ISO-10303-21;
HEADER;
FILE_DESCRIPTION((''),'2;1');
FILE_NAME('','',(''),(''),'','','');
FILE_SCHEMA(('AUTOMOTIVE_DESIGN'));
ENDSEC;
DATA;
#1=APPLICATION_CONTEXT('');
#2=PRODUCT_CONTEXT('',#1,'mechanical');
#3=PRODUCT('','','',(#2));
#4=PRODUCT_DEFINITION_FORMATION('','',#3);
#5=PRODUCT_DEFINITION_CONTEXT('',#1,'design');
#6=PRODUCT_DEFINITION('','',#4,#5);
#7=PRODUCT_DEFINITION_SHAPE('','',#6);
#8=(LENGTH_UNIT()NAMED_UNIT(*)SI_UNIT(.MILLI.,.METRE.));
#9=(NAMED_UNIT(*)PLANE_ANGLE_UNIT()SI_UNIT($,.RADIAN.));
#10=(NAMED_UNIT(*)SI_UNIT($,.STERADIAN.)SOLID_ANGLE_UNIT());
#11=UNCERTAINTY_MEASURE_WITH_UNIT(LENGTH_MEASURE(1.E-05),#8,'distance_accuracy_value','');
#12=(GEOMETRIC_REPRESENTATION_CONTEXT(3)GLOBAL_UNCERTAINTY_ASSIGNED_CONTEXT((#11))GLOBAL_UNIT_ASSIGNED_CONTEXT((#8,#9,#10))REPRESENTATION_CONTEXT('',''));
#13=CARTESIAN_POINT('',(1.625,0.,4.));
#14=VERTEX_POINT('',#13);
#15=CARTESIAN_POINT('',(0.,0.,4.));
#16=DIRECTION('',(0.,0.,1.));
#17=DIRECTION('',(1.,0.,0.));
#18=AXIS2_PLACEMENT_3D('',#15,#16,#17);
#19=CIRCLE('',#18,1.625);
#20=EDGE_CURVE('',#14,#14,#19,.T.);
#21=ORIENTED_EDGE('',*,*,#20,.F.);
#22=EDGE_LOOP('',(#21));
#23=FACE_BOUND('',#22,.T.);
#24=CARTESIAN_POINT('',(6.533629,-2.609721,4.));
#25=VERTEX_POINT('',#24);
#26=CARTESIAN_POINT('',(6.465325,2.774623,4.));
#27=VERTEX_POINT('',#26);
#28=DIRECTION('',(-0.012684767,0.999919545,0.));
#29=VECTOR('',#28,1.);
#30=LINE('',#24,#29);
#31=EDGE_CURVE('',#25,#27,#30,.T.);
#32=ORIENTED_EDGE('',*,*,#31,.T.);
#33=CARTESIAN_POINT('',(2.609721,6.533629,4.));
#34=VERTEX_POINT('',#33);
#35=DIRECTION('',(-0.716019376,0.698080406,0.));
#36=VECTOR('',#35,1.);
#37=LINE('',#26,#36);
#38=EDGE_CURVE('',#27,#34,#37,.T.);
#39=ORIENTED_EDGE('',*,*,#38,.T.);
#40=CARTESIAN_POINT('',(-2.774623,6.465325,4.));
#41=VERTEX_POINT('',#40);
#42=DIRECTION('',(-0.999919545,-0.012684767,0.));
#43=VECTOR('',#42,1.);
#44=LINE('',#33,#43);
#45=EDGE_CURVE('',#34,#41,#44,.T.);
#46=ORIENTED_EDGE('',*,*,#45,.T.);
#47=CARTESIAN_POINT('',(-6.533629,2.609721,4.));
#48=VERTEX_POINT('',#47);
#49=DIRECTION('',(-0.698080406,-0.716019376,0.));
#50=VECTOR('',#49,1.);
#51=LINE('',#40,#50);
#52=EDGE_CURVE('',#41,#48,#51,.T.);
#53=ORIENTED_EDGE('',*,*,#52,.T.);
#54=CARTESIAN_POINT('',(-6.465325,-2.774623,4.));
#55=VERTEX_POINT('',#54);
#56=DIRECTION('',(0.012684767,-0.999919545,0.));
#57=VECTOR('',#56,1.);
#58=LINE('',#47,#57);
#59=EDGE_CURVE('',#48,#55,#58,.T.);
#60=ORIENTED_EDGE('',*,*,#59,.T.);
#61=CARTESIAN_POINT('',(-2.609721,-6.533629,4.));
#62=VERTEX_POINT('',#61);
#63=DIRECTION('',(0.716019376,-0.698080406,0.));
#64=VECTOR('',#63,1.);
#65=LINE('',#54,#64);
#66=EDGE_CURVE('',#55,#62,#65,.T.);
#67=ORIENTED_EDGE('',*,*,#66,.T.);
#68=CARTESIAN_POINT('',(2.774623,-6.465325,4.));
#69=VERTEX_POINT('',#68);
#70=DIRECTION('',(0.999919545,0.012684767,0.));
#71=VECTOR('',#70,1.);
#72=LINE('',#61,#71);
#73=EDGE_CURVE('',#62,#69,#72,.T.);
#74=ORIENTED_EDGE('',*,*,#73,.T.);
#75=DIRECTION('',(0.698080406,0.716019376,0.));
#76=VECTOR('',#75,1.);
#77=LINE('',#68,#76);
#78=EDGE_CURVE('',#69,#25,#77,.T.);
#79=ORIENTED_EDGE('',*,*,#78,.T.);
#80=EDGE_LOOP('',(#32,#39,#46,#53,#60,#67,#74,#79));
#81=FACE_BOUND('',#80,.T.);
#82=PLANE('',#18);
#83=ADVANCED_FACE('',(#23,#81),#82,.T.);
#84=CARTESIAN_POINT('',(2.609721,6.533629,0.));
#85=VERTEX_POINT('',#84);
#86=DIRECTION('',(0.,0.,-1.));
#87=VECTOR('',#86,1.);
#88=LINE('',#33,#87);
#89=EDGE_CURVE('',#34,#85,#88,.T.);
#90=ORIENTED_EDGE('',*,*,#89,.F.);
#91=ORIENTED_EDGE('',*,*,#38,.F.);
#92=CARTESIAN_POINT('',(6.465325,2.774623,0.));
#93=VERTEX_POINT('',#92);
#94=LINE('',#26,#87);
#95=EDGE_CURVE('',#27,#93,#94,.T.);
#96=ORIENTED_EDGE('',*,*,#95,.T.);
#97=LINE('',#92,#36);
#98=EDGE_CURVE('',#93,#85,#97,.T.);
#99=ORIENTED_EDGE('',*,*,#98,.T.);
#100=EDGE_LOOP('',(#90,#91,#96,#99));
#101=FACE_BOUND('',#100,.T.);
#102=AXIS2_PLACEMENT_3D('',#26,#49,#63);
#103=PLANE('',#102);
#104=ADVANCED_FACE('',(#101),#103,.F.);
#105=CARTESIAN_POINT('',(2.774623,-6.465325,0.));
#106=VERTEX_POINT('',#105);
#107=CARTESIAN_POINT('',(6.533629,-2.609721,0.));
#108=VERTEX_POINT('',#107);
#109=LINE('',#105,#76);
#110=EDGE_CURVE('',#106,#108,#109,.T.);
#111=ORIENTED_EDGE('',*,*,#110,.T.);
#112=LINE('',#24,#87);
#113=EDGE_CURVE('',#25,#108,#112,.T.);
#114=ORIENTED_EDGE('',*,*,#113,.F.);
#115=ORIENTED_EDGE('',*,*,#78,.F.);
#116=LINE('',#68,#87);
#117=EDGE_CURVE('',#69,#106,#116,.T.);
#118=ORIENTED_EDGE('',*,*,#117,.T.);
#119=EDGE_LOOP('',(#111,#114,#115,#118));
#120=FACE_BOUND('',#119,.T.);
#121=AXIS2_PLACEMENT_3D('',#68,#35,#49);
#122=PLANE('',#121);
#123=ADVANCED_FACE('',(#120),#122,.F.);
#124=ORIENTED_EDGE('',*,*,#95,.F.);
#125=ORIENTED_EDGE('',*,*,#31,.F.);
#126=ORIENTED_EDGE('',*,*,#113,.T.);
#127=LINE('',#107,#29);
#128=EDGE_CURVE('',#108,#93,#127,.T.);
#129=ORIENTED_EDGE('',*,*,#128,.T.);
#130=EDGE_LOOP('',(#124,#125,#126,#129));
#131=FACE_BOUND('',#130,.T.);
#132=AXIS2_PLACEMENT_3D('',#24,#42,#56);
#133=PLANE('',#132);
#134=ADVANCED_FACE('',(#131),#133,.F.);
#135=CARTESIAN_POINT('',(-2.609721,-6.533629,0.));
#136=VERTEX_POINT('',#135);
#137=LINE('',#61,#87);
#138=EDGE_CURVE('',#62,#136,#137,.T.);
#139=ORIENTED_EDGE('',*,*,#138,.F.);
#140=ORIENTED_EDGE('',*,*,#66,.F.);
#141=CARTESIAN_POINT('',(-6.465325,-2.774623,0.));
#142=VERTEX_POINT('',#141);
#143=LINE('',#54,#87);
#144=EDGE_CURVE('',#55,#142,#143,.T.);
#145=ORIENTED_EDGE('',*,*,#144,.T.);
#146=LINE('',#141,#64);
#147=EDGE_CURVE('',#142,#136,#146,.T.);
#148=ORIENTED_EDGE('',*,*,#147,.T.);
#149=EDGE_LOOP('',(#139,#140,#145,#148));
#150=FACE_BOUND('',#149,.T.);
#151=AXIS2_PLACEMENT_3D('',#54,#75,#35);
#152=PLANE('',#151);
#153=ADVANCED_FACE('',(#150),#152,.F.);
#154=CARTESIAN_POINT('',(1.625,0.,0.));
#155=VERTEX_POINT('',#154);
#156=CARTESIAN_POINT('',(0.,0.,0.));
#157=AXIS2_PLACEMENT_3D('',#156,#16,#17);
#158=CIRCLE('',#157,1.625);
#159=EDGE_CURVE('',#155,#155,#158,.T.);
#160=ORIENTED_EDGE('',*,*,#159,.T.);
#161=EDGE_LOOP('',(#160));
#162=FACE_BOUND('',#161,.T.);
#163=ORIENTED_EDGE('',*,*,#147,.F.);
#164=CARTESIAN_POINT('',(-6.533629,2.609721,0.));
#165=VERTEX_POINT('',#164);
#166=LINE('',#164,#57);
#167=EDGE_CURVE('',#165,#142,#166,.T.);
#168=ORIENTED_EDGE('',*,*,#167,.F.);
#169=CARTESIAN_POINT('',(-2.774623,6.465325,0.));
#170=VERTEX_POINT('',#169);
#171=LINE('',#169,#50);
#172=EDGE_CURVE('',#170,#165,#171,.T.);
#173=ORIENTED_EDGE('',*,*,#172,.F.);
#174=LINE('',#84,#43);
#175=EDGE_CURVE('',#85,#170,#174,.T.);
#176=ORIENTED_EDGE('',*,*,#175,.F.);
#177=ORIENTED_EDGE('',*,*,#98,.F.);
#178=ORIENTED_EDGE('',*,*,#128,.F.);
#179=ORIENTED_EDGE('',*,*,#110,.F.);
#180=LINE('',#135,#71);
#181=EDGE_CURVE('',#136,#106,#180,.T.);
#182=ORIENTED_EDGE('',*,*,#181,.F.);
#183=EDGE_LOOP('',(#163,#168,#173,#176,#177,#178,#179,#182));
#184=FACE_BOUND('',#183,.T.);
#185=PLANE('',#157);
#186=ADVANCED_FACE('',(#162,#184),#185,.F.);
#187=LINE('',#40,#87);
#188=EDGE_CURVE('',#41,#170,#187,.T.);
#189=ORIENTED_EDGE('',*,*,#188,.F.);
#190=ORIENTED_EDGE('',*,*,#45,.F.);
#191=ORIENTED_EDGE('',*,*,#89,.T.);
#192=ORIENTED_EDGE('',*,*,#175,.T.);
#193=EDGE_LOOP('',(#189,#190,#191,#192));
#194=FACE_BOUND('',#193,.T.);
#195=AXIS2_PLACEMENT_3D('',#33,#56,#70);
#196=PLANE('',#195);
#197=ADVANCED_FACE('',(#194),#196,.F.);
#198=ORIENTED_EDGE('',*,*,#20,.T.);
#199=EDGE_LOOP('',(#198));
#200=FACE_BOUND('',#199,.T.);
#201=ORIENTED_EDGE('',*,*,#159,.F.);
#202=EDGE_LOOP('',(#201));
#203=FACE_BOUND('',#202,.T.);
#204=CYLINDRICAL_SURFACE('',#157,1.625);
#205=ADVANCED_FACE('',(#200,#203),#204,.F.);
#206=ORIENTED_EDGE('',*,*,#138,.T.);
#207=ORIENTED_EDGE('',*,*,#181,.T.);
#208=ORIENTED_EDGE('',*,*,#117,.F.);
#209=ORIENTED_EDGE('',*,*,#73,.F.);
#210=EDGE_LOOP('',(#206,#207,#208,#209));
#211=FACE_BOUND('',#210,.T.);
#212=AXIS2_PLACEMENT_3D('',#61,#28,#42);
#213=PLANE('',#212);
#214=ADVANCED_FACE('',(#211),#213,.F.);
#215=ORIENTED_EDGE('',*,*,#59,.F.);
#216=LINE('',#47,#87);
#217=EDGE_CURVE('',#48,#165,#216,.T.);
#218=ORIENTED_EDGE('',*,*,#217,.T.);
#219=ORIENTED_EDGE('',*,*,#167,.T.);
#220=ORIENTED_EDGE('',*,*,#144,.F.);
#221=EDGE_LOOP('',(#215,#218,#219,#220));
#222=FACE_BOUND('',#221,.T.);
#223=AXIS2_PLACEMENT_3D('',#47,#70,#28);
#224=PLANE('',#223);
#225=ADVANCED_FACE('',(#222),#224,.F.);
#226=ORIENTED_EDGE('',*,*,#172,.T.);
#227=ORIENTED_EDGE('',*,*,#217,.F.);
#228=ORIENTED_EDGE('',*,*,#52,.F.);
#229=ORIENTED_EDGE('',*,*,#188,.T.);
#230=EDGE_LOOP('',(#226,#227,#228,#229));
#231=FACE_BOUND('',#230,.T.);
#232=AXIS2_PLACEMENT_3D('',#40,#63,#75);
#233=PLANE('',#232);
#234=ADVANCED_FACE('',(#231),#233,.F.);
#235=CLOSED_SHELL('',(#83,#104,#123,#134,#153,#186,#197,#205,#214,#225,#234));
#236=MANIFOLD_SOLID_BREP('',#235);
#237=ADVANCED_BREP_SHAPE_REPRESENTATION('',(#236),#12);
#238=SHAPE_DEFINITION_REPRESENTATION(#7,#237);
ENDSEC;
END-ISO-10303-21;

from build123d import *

# Parameters (mm, degrees)
BOSS_EXTRUDE1_DEPTH = 4
SKETCH2_R           = 1.625
CUT_EXTRUDE1_DEPTH  = 5


with BuildPart() as part:
    # Sketch1 → Boss-Extrude1 (new body)
    with BuildSketch(Plane.XY):
        Polygon((6.465324726, 2.774622528), (2.609720552, 6.533629361), (-2.774622528, 6.465324726), (-6.533629361, 2.609720552), (-6.465324726, -2.774622528), (-2.609720552, -6.533629361), (2.774622528, -6.465324726), (6.533629361, -2.609720552), align=None)
    extrude(amount=BOSS_EXTRUDE1_DEPTH)

    # Sketch2 → Cut-Extrude1 (cut, through all)
    with BuildSketch(Plane.XY.offset(4)):
        Circle(SKETCH2_R)
    extrude(amount=-CUT_EXTRUDE1_DEPTH, mode=Mode.SUBTRACT)


solid = part.part
